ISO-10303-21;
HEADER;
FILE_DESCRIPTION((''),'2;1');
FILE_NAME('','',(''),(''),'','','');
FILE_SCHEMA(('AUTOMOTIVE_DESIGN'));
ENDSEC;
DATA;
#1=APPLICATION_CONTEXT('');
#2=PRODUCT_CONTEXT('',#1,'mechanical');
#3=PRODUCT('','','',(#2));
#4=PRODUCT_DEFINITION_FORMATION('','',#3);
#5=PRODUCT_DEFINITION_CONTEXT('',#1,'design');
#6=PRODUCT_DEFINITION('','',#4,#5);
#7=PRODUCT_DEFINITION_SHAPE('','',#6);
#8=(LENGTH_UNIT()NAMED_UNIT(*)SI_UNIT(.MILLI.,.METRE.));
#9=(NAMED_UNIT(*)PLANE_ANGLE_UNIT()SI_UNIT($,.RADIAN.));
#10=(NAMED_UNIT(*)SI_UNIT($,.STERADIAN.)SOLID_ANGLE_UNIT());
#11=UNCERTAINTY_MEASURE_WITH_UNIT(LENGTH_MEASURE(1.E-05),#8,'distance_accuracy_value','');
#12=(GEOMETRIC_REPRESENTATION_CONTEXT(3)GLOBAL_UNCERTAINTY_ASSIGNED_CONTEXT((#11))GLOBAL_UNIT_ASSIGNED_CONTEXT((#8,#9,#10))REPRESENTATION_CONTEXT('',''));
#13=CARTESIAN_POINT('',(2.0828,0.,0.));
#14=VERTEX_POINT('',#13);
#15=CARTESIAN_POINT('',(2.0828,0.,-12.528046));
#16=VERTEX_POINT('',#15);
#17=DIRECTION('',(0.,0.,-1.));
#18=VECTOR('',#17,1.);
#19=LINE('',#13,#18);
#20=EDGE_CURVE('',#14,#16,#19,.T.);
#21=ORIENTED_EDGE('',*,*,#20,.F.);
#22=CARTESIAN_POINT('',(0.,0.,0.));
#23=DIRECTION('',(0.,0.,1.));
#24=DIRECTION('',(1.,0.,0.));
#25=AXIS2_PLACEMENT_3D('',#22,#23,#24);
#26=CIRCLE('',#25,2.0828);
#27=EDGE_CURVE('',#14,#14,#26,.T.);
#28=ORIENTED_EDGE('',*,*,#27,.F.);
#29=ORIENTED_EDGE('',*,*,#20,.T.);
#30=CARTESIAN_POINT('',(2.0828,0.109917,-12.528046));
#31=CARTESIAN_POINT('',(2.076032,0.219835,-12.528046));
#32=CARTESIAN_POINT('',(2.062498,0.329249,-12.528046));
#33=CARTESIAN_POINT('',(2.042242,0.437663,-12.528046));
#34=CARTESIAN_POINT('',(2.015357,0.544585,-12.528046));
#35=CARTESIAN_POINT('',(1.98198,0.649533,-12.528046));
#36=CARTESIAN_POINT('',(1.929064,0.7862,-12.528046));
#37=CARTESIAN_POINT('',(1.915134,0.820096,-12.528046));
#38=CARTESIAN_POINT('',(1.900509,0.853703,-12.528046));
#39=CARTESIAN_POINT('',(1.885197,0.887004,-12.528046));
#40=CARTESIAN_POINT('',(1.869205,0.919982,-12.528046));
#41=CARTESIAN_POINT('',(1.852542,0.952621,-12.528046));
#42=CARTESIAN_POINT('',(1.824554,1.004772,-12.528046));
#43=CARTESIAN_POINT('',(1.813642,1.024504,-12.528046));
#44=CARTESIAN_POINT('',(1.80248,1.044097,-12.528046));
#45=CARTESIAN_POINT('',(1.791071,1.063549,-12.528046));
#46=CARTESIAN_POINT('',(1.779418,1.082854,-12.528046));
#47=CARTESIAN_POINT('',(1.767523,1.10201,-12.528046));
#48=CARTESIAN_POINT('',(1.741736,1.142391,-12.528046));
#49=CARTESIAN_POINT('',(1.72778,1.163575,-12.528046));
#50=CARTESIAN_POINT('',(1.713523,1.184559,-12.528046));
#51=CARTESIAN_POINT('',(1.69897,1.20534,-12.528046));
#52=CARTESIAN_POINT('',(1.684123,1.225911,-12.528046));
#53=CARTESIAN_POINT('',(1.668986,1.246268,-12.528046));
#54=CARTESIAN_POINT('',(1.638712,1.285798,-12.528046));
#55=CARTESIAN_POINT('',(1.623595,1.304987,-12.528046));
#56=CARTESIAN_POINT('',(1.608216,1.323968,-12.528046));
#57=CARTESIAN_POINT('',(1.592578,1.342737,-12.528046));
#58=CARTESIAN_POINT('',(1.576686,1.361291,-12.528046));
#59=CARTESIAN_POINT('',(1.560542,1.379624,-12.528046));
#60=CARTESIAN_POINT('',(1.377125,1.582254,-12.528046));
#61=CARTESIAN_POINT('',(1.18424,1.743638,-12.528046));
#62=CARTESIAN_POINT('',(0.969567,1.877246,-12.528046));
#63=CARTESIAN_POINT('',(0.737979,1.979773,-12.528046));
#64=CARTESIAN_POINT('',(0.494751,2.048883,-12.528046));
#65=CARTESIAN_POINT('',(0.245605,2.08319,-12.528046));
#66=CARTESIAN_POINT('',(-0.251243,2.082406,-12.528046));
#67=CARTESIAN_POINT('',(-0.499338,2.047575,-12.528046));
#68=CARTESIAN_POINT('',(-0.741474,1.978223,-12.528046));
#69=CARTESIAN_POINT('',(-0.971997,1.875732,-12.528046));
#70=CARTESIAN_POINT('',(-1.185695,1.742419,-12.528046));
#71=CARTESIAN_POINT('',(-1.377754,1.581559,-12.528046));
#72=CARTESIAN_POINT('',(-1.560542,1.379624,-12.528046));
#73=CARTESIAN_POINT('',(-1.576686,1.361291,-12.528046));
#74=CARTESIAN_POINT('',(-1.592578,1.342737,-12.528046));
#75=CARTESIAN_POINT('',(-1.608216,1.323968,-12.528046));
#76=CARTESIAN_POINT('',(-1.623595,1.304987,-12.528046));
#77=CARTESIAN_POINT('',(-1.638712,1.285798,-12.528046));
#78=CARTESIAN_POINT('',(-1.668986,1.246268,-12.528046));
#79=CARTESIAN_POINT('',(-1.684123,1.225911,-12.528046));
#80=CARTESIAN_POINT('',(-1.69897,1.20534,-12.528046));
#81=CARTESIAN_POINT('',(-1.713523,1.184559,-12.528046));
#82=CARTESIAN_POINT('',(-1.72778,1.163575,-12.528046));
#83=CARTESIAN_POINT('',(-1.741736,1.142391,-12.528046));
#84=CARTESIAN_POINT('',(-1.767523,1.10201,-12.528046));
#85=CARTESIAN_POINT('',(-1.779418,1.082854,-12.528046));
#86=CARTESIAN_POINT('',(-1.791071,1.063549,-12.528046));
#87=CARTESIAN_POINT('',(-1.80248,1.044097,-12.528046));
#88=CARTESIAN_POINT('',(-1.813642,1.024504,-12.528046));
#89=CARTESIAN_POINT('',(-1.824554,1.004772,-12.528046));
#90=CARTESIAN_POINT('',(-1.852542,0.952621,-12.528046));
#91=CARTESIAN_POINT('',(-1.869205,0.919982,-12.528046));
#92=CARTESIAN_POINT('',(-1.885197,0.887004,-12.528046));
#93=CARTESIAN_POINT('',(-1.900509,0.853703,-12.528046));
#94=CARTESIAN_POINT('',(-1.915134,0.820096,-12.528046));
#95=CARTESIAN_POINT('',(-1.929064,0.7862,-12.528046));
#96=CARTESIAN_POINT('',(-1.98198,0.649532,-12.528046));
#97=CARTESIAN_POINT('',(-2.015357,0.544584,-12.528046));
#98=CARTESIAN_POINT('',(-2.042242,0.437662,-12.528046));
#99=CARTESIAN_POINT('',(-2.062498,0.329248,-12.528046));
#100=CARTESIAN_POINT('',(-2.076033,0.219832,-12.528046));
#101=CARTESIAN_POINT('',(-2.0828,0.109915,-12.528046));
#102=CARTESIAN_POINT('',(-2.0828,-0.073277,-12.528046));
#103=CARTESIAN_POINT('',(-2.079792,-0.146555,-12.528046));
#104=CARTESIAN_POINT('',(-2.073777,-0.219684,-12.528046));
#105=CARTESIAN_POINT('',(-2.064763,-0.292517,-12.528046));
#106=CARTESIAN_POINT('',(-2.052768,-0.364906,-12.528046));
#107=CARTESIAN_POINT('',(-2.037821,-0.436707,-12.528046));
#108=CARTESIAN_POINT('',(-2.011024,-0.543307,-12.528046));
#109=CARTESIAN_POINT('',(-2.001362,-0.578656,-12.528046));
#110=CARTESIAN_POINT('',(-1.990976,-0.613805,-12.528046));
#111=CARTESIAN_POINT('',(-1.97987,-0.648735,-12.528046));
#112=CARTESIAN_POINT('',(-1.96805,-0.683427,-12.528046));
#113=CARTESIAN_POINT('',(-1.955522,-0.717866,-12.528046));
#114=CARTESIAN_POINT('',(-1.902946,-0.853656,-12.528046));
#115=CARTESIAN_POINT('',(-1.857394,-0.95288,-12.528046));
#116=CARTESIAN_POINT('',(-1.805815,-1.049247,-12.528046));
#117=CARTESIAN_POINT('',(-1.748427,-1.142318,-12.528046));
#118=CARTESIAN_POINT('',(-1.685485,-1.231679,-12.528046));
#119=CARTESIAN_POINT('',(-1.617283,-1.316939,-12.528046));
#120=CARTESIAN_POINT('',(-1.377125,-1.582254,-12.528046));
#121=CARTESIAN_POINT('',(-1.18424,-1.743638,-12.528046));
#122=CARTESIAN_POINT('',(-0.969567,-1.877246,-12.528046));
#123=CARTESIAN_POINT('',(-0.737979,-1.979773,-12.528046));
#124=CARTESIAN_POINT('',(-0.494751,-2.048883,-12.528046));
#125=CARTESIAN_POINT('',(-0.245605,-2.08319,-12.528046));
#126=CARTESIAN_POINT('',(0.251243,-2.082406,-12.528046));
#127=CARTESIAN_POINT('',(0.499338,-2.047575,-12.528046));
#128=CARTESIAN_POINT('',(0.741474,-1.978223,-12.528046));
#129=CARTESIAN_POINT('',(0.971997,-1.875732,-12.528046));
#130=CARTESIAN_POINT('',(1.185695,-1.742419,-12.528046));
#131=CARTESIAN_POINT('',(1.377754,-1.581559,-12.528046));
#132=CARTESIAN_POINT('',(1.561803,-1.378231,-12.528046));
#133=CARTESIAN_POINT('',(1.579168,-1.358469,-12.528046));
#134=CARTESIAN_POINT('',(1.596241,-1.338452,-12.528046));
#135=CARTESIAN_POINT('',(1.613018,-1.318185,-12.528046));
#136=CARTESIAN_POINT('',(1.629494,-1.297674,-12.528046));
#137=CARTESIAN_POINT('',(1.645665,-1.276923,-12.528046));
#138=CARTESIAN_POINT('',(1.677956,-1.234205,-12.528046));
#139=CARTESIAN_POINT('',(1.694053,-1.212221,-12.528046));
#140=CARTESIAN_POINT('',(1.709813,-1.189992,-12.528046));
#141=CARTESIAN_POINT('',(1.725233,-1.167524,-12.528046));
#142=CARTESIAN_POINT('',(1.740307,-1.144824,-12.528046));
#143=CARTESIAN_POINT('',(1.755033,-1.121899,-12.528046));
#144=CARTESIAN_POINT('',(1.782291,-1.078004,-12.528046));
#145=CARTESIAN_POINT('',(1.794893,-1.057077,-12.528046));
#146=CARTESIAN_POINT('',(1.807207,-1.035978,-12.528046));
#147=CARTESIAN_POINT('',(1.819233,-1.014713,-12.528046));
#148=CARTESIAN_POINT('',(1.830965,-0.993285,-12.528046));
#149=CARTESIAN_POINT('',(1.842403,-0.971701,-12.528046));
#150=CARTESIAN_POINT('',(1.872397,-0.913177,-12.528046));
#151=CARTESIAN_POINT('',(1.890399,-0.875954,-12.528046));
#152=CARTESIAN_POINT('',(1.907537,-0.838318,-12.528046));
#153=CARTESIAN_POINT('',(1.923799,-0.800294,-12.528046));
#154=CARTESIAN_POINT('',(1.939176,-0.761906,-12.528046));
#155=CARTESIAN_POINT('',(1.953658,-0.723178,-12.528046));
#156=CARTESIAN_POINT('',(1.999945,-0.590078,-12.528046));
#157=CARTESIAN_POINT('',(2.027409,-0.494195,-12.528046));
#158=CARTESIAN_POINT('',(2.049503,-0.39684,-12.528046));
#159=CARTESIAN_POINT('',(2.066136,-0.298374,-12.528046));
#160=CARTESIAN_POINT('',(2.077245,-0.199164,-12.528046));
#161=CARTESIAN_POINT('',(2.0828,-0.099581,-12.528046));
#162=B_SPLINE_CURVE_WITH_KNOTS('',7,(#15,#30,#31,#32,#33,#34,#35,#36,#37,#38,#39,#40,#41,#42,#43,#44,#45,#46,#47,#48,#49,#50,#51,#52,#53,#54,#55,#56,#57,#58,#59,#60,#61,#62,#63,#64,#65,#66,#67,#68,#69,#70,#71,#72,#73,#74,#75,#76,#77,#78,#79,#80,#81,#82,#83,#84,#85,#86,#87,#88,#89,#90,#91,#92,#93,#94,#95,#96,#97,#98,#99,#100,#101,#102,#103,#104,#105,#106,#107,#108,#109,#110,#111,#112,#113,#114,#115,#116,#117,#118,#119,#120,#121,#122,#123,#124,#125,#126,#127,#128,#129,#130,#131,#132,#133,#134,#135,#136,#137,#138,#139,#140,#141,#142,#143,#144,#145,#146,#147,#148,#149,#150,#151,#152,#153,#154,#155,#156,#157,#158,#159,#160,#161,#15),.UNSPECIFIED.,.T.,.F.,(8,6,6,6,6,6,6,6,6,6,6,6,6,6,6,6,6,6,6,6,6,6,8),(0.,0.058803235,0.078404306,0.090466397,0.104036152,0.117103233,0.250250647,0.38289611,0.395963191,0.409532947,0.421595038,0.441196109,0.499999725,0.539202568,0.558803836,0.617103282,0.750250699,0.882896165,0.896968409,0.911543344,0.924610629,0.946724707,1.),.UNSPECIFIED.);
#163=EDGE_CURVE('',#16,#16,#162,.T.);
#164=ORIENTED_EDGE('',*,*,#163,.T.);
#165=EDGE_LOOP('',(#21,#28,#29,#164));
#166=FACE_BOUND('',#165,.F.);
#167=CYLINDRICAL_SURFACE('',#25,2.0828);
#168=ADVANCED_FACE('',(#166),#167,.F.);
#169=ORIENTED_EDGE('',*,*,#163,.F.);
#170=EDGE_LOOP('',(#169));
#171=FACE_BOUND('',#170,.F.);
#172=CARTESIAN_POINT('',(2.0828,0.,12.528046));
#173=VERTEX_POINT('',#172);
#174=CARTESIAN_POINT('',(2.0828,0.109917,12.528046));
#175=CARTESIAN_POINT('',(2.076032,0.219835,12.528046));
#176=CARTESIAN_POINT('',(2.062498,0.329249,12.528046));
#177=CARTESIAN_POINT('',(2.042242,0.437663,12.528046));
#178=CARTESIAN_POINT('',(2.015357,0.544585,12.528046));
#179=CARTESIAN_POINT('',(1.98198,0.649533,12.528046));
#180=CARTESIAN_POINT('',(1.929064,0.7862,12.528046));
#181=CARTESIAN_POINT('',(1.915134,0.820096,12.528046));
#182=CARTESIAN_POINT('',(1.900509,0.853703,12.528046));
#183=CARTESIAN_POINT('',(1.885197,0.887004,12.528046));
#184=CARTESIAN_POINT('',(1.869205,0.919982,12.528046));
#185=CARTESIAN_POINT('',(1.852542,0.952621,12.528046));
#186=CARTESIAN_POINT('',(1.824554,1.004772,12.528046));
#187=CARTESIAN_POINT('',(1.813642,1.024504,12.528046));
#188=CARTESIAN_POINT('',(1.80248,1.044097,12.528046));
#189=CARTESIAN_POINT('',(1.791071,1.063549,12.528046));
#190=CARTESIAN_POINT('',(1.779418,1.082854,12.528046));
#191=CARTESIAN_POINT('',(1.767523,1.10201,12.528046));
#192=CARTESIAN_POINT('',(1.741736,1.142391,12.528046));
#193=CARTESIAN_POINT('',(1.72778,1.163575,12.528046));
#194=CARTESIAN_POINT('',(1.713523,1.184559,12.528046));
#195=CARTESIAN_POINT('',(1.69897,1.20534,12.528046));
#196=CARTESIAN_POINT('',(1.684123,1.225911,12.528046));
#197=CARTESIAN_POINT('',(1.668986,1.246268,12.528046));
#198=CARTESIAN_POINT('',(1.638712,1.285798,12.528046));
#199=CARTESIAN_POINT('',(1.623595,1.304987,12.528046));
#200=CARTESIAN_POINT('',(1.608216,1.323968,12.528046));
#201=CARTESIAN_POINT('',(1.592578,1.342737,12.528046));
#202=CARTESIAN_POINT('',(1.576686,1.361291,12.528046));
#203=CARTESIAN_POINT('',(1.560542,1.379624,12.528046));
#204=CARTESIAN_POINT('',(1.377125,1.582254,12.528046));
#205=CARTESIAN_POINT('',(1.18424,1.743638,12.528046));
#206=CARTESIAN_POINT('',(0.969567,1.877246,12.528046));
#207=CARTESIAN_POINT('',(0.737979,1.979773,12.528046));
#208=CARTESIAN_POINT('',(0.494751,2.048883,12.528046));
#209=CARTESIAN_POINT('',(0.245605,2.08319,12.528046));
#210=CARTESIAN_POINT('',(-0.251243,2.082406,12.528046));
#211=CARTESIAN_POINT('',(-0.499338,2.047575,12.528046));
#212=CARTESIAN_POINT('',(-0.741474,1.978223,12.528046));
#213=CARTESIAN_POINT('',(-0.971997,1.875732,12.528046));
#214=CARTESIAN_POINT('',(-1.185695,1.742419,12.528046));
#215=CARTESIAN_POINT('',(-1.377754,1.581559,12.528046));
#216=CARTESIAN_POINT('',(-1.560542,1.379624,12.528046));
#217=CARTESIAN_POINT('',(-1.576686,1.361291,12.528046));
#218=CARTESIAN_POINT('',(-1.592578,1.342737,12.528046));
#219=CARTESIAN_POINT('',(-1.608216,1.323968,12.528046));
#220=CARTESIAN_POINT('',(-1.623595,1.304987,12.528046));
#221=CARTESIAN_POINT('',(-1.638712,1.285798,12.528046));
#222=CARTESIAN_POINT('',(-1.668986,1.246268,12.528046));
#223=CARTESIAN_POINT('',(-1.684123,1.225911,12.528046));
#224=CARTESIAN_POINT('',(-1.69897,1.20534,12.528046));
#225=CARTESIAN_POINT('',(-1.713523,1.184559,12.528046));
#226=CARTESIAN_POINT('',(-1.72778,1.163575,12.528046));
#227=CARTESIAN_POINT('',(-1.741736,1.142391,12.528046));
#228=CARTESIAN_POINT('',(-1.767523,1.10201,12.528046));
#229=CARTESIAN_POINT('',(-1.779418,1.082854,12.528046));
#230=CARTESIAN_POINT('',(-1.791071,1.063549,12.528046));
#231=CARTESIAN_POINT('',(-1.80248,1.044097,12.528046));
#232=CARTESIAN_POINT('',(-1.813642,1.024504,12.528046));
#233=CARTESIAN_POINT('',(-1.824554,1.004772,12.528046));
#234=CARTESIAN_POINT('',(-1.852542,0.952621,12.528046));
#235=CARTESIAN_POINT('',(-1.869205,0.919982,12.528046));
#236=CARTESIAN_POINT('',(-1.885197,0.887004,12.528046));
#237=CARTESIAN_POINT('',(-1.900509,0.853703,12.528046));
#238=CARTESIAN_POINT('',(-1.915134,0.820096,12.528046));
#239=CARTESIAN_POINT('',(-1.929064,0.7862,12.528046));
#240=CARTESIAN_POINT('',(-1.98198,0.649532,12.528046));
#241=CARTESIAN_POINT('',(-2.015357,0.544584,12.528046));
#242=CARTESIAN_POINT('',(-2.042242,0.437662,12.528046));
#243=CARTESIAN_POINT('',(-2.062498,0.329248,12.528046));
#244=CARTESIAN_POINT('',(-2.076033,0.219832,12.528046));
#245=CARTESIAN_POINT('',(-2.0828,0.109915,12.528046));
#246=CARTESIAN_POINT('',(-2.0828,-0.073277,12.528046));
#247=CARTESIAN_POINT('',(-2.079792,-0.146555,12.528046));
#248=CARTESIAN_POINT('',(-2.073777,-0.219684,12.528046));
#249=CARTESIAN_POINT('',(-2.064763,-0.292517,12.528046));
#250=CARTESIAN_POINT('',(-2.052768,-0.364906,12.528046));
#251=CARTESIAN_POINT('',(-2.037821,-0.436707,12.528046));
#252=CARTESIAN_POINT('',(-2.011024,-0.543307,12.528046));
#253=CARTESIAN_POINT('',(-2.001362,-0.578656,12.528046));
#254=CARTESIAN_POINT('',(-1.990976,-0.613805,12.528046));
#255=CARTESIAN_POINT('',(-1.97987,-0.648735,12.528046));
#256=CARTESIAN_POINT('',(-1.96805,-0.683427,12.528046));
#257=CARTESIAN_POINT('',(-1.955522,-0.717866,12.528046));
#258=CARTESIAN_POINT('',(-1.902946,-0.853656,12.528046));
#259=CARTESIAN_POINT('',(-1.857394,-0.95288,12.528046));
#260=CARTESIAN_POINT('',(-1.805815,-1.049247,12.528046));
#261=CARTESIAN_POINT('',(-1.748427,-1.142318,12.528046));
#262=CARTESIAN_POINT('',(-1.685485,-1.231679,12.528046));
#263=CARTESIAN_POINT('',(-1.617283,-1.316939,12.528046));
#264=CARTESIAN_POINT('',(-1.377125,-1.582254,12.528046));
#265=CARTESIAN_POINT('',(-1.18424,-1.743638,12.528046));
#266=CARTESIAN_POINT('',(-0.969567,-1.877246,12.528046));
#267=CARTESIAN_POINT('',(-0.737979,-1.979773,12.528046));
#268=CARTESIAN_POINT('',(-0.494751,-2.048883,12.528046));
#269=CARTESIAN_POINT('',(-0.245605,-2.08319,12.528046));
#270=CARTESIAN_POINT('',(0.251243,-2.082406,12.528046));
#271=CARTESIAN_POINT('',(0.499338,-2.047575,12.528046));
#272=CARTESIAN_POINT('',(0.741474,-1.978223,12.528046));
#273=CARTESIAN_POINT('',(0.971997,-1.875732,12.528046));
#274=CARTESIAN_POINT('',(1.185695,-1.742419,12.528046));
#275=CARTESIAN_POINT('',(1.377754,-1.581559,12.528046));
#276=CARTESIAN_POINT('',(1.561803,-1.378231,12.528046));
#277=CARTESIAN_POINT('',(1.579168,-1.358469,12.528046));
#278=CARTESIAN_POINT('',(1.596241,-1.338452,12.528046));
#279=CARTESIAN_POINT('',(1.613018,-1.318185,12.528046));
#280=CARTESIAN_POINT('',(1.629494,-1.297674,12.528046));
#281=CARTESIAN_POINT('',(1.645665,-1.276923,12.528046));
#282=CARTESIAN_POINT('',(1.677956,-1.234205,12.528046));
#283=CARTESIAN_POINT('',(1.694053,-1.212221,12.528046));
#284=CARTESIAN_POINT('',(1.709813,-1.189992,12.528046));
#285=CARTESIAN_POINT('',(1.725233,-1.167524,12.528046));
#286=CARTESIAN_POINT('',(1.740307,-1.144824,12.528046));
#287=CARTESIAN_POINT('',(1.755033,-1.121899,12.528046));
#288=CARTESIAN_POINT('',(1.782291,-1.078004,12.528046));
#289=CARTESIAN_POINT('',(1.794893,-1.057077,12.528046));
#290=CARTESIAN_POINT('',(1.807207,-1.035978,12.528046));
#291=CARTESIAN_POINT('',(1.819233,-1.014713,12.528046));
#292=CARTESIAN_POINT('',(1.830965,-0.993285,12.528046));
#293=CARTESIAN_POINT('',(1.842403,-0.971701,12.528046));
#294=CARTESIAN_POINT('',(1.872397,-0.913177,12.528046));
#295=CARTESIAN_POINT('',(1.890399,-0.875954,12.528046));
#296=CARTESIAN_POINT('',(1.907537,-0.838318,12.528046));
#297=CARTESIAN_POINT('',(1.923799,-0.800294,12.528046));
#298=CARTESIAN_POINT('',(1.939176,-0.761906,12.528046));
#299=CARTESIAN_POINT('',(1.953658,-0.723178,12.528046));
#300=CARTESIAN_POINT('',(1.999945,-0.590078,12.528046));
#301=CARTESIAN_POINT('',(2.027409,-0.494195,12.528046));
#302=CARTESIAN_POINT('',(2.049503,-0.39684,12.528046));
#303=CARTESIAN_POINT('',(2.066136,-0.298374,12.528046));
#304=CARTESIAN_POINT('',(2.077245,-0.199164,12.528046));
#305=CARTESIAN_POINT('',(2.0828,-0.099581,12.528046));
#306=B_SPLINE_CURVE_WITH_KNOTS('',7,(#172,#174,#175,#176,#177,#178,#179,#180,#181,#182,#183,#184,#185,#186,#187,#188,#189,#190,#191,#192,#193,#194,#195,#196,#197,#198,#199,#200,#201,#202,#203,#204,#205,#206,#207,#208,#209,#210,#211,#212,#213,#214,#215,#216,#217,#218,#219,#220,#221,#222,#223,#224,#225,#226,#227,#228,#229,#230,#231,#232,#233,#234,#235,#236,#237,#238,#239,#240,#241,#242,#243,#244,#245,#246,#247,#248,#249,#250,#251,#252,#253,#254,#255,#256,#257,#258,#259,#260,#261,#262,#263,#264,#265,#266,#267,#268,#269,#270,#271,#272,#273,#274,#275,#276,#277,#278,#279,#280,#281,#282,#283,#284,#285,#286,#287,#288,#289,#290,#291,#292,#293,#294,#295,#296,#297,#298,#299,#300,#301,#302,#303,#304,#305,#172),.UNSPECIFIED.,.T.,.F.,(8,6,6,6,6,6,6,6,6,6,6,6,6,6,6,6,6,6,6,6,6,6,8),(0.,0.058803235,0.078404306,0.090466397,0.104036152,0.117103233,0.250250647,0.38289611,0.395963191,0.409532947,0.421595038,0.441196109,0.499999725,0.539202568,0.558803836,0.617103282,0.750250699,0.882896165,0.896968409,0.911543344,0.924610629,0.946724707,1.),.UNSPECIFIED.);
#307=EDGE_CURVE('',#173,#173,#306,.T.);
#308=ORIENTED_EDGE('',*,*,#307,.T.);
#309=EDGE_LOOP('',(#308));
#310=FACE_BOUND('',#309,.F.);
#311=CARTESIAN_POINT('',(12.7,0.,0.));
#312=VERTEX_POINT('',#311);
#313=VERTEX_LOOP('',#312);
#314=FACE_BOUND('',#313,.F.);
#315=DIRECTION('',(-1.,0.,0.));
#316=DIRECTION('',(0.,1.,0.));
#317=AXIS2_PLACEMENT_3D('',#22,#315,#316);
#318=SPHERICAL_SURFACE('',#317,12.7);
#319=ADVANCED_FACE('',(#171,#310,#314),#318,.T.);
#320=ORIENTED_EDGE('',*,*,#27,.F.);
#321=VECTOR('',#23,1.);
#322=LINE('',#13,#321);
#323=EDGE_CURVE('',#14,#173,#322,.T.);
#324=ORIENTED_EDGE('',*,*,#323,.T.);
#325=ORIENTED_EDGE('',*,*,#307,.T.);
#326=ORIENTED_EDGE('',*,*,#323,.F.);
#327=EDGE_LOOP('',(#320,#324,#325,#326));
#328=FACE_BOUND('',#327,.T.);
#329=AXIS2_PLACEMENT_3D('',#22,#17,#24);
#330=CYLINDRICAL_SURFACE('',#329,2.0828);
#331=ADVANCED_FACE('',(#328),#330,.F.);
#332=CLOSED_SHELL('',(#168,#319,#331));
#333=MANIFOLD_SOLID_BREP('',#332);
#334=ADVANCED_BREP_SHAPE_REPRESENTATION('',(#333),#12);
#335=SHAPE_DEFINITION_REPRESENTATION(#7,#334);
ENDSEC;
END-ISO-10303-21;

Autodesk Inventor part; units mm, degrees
ref_plane "YZ Plane" through (0, 0, 0) normal (1, 0, 0) x (0, 1, 0)
ref_plane "XZ Plane" through (0, 0, 0) normal (0, 1, 0) x (-1, 0, 0)
ref_plane "XY Plane" through (0, 0, 0) normal (0, 0, 1) x (1, 0, 0)
sketch "Sketch1" plane through (0, 0, 0) normal (0, 0, 1) x (1, 0, 0)
  arc A0 (12.7, 0) -> (-12.7, 0) centre (0, 0) ccw
  line L0 (0, 0) -> (12.7, 0) construction
  line L1 (0, 0) -> (12.7, 0) construction
  line L2 (0, 0) -> (-12.7, 0) construction
  line L3 (-12.7, 0) -> (12.7, 0)
  circle A1 centre (0, 0) radius 2.0828
  dimension "d0" = 12.7
  dimension "d1" = 0
  dimension "d2" = 180
  dimension "d4" = 4.1656
revolve "Revolution1" add sketch "Sketch1" angle 360 about axis through (-12.7, 0, 0) along (1, 0, 0) picked at (0.5197, 0.4604) contours L3 A1 A0 | L3 A1
extrude "Extrusion3" cut sketch "Sketch1" along normal mid plane 25.4 contours A1 L3 | L3 A1
thread "Thread2" size "8-32 UNC" class "2B" standard "ANSI Unified Screw Threads" length 25.4
properties part number "ShiftBall"
